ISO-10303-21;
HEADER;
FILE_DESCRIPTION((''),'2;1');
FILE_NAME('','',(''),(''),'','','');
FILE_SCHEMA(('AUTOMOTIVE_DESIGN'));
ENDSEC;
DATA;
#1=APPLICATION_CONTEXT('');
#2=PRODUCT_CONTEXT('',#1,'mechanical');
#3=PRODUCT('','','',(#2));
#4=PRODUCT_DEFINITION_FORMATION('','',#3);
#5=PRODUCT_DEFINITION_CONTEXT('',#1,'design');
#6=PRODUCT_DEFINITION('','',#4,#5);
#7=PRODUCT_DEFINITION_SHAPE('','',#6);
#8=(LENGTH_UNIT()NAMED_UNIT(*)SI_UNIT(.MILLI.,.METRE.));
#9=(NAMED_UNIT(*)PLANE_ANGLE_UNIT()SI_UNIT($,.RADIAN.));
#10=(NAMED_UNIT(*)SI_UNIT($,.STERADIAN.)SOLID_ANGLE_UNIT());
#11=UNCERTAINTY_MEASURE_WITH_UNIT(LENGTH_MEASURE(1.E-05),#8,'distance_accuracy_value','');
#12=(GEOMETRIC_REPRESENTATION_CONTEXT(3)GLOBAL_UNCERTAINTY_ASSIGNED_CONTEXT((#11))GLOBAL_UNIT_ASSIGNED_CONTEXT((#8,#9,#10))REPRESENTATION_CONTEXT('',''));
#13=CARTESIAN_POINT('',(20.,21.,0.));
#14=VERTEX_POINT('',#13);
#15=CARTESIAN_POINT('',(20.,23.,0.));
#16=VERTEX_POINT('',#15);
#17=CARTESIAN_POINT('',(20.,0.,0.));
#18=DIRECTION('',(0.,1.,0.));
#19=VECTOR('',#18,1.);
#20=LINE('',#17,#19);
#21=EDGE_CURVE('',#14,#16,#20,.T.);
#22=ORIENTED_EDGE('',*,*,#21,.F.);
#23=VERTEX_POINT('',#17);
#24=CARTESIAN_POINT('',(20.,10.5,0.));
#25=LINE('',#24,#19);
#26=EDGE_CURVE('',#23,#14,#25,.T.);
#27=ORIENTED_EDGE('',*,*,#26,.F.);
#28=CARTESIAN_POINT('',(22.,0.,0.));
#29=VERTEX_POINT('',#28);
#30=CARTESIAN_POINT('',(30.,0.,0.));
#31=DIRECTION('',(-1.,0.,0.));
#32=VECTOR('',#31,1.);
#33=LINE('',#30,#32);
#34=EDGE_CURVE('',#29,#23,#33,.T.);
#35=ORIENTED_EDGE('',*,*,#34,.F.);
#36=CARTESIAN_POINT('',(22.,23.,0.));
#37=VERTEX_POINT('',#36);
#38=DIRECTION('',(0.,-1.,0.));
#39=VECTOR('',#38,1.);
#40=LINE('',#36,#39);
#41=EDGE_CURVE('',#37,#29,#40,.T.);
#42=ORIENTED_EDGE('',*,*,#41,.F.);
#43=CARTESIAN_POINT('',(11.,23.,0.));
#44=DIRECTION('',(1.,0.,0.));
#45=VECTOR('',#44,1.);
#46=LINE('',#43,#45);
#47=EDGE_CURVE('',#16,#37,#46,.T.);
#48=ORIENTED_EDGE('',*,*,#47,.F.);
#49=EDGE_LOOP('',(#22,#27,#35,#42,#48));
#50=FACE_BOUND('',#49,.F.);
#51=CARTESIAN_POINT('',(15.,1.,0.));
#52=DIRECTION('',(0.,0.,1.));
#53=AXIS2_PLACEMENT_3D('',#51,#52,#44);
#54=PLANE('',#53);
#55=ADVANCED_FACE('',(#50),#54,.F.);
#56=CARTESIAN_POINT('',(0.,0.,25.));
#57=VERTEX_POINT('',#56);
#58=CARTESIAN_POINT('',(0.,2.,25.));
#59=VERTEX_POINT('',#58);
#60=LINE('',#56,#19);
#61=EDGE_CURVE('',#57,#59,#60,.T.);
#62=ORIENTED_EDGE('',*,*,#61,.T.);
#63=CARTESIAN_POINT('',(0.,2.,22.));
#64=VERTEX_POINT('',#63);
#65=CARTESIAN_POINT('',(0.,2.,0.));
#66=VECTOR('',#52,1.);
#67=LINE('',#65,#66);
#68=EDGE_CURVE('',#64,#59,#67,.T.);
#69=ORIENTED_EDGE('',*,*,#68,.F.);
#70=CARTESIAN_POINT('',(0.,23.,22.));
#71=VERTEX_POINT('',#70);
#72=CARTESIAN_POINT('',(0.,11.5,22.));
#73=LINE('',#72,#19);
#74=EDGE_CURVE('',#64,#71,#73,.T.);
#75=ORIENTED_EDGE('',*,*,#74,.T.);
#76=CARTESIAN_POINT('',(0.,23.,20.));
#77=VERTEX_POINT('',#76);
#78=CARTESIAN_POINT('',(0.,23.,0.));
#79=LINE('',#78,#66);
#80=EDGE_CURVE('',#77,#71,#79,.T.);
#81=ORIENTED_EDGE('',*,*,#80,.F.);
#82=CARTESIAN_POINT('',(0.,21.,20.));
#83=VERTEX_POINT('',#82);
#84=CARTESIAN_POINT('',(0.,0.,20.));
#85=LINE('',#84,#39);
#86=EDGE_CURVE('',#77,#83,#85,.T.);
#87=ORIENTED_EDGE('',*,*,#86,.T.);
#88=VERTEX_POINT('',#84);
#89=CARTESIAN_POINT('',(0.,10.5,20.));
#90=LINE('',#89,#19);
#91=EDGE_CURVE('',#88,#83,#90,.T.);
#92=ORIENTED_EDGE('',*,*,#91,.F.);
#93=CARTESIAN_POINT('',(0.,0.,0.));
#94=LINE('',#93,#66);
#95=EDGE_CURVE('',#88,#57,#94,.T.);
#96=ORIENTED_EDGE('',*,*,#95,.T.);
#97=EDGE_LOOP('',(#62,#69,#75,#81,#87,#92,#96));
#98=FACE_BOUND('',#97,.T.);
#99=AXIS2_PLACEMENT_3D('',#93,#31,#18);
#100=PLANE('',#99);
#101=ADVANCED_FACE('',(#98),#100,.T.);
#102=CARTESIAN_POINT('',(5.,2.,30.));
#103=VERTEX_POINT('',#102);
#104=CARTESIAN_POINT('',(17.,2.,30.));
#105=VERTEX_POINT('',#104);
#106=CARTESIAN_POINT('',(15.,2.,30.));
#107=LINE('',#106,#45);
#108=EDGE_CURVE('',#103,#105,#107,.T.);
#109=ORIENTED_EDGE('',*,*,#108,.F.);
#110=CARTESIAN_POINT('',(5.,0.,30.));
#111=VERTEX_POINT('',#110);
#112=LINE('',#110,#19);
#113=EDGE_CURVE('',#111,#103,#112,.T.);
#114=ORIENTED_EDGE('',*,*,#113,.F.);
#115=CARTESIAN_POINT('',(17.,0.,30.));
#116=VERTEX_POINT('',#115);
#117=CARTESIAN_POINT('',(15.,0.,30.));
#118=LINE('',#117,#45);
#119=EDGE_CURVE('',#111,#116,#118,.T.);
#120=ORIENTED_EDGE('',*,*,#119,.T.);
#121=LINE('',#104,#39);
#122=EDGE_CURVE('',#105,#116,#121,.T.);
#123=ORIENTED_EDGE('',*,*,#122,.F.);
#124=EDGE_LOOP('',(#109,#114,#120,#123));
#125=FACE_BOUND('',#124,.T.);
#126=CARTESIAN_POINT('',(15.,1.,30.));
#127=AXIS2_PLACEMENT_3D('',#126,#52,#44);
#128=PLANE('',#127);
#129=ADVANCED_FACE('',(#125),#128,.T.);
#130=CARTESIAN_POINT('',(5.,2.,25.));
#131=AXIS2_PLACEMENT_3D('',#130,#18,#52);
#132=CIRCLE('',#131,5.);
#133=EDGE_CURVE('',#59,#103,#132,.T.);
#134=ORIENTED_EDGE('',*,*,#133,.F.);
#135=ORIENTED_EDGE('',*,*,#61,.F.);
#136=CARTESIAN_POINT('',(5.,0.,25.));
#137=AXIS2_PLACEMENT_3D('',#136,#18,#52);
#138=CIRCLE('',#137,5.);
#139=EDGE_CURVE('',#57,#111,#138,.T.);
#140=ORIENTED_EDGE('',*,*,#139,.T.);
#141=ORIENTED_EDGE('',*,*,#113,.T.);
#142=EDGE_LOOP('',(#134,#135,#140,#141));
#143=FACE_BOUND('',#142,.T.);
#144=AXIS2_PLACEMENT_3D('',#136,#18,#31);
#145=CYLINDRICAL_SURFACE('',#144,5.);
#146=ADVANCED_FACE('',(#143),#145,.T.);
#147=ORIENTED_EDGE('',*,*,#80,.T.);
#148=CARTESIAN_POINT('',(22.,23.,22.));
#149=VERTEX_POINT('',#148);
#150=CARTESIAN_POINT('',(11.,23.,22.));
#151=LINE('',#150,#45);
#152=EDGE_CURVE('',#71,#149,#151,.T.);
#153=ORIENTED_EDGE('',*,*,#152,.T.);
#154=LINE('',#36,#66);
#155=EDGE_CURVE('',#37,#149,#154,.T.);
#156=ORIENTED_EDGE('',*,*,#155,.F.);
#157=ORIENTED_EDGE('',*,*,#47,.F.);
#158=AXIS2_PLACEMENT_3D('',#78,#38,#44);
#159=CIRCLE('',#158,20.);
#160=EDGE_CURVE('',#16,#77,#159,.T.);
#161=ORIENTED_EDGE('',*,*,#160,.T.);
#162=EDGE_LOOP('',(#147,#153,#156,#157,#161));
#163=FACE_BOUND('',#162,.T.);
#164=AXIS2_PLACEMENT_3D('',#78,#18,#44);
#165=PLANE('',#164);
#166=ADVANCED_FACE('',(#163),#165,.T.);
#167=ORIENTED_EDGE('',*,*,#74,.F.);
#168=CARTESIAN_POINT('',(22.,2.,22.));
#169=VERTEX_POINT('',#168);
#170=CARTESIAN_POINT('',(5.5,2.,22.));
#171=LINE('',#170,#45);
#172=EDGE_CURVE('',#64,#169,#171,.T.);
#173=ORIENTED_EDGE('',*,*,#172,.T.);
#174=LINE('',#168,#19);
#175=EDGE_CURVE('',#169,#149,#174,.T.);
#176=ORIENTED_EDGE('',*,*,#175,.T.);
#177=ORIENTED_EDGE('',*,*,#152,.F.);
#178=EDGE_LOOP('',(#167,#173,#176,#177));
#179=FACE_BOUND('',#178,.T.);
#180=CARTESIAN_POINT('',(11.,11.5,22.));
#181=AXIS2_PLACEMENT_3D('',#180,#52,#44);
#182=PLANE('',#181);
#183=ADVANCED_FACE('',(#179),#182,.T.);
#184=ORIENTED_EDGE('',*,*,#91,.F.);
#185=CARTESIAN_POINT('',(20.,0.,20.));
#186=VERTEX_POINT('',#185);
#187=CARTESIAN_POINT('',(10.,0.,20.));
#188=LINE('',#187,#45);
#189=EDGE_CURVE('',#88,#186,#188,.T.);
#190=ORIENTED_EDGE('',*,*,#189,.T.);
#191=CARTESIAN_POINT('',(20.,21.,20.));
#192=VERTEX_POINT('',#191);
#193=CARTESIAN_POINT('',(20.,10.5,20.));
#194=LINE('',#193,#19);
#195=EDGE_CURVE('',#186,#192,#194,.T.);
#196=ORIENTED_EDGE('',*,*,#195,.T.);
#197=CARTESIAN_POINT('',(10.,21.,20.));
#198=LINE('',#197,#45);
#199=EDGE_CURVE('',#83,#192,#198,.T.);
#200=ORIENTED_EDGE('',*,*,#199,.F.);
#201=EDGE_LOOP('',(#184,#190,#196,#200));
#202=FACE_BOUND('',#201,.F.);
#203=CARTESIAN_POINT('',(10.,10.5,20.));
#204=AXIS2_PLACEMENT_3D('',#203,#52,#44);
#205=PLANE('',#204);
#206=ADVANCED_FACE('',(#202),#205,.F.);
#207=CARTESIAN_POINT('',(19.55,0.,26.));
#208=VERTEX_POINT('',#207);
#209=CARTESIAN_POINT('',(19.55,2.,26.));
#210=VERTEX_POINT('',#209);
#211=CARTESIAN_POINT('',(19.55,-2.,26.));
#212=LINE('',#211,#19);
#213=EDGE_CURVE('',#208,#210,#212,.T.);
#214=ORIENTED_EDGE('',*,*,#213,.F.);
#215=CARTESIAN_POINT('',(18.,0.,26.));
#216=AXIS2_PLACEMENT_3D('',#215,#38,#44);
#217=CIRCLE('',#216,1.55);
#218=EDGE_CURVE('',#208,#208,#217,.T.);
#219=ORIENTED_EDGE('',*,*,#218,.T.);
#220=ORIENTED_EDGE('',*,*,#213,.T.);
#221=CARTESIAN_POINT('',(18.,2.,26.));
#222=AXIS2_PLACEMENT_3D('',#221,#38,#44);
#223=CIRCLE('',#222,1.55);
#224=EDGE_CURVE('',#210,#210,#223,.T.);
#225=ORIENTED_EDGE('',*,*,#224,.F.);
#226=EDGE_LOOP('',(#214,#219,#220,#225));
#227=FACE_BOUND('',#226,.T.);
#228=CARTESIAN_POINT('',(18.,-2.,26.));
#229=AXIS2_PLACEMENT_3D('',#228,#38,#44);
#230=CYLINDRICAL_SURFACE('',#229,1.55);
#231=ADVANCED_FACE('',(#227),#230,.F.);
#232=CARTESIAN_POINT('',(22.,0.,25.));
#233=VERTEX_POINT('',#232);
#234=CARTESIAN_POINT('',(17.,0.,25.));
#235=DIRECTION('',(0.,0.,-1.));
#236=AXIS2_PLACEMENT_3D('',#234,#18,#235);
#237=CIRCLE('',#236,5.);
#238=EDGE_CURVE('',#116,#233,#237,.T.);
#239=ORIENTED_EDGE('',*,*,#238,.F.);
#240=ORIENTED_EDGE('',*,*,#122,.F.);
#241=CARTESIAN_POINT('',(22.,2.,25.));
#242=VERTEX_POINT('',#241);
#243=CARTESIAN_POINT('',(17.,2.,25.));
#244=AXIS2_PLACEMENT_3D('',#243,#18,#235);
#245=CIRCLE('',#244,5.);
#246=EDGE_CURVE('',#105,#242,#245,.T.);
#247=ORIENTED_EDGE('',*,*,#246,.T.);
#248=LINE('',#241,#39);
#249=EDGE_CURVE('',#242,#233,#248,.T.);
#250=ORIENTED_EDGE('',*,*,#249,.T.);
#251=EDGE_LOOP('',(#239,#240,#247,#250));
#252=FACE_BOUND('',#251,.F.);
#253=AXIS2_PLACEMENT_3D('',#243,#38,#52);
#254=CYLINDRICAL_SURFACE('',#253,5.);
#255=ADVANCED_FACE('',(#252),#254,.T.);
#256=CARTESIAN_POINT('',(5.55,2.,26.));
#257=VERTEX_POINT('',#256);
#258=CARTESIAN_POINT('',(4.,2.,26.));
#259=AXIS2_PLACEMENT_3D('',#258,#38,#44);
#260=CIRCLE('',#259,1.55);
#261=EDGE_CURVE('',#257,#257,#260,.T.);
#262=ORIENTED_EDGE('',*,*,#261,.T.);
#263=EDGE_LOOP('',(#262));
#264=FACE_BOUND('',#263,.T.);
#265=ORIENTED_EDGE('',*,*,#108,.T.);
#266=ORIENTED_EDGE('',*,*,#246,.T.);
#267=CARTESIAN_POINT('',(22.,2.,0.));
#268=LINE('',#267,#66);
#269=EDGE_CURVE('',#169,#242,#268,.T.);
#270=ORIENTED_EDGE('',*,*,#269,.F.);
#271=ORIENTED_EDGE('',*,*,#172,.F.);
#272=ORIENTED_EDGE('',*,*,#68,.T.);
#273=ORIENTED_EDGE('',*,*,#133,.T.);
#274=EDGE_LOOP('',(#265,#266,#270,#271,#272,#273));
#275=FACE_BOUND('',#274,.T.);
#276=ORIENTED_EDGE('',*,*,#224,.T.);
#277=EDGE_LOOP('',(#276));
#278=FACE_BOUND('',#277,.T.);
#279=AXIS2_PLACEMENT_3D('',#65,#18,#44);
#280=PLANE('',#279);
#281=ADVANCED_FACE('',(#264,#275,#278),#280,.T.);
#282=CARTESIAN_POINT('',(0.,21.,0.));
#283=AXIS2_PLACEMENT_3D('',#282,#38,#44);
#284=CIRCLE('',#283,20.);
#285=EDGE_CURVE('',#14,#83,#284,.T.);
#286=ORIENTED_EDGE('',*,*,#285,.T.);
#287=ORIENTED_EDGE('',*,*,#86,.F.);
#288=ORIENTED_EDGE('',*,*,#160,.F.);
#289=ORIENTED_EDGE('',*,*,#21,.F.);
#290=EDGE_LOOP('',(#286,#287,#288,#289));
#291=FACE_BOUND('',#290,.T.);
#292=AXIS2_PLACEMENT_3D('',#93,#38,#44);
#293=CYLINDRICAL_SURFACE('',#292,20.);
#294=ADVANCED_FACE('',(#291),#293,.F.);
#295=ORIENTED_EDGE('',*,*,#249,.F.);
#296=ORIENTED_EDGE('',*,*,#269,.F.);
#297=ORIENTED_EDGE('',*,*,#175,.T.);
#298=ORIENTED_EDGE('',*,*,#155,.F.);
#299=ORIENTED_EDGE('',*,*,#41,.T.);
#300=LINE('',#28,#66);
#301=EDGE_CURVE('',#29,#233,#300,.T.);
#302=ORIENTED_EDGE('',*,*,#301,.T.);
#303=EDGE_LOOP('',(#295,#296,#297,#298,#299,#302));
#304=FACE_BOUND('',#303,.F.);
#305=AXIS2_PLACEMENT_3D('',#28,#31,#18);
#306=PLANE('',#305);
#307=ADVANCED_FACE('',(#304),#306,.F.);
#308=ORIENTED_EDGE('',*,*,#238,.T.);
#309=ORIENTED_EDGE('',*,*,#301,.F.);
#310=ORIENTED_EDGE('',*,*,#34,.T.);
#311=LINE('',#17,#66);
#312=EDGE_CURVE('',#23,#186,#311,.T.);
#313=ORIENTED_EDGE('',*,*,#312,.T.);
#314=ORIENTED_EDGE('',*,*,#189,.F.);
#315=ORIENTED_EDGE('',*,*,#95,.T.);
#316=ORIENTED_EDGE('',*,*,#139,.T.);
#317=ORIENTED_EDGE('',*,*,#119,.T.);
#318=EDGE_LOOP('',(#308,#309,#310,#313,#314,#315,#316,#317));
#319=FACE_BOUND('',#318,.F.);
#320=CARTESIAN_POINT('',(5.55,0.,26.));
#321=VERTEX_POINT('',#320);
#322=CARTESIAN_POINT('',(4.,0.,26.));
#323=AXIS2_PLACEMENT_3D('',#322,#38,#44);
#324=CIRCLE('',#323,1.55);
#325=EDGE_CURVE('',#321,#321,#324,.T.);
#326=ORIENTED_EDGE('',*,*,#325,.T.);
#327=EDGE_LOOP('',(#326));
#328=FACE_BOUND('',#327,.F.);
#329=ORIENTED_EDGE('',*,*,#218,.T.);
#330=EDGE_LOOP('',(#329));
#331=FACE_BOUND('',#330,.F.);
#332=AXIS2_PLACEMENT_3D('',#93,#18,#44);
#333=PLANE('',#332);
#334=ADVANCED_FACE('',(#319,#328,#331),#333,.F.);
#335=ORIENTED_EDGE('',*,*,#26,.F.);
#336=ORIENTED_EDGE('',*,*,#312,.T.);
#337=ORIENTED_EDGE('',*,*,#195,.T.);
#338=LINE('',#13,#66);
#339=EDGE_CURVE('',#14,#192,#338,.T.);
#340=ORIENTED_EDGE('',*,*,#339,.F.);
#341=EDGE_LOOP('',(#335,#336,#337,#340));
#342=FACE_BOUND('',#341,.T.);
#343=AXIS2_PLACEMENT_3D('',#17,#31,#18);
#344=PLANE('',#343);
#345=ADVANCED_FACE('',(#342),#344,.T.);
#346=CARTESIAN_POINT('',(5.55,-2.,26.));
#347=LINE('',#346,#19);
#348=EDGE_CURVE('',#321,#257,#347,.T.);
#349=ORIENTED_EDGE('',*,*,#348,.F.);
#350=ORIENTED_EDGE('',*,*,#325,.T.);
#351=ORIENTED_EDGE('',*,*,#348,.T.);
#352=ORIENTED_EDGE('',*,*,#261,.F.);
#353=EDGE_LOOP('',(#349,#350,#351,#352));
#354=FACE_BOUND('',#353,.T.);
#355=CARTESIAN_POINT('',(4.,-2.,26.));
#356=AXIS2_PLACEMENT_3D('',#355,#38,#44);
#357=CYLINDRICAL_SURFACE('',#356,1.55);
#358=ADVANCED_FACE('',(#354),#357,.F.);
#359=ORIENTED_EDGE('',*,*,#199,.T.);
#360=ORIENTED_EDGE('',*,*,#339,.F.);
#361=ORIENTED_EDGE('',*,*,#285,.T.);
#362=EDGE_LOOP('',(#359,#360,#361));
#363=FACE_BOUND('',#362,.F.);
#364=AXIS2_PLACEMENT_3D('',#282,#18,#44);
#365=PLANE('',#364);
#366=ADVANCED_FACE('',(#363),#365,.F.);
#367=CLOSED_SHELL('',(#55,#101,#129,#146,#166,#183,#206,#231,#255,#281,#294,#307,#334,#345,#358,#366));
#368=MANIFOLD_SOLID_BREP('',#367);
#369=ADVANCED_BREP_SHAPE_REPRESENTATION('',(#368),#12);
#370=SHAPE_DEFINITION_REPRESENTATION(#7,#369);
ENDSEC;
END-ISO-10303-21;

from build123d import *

# Parameters (mm, degrees)
CYLINDER001_R          = 20
CYLINDER001_DEPTH      = 25
CYLINDER001_ROLL_ANGLE = -90
CYLINDER002_R          = 1.55
CYLINDER002_DEPTH      = 10
CYLINDER002_ROLL_ANGLE = -90
CYLINDER_R             = 1.55
CYLINDER_DEPTH         = 10
CYLINDER_ROLL_ANGLE    = -90
BOX003_W               = 10
BOX003_H               = 6
BOX003_DEPTH           = 31
BOX001_W               = 20
BOX001_H               = 21
BOX001_DEPTH           = 20
BOX_W                  = 22
BOX_H                  = 23
BOX_DEPTH              = 22
BOX002_W               = 30
BOX002_H               = 2
BOX002_DEPTH           = 30
FILLET_R               = 5
FILLET001_R            = 5


with BuildPart() as cilindro001:
    # Cylinder001 → Cylinder001 (new body)
    with BuildSketch(Plane.XY):
        Circle(CYLINDER001_R)
    extrude(amount=CYLINDER001_DEPTH)


with BuildPart() as cilindro001_1:
    # Cylinder001 roll: moved
    add(cilindro001.part.rotate(Axis((0, 0, 0), (1, 0, 0)), CYLINDER001_ROLL_ANGLE))


with BuildPart() as cilindro001_2:
    # Cylinder001 placement: moved
    add(cilindro001_1.part)


with BuildPart() as cilindro002:
    # Cylinder002 → Cylinder002 (new body)
    with BuildSketch(Plane.XY):
        Circle(CYLINDER002_R)
    extrude(amount=CYLINDER002_DEPTH)


with BuildPart() as cilindro002_1:
    # Cylinder002 roll: moved
    add(cilindro002.part.rotate(Axis((0, 0, 0), (1, 0, 0)), CYLINDER002_ROLL_ANGLE))


with BuildPart() as cilindro002_2:
    # Cylinder002 placement: moved
    add(cilindro002_1.part.moved(Location((4, -2, 26))))


with BuildPart() as cilindro:
    # Cylinder → Cylinder (new body)
    with BuildSketch(Plane.XY):
        Circle(CYLINDER_R)
    extrude(amount=CYLINDER_DEPTH)


with BuildPart() as cilindro_1:
    # Cylinder roll: moved
    add(cilindro.part.rotate(Axis((0, 0, 0), (1, 0, 0)), CYLINDER_ROLL_ANGLE))


with BuildPart() as cilindro_2:
    # Cylinder placement: moved
    add(cilindro_1.part.moved(Location((18, -2, 26))))


with BuildPart() as cubo003:
    # Box003 → Box003 (new body)
    with BuildSketch(Plane(origin=(22, 0, 0), x_dir=(1, 0, 0), z_dir=(0, 0, 1))):
        with Locations((5, 3)):
            Rectangle(BOX003_W, BOX003_H)
    extrude(amount=BOX003_DEPTH)


with BuildPart() as cubo001:
    # Box001 → Box001 (new body)
    with BuildSketch(Plane.XY):
        with Locations((10, 10.5)):
            Rectangle(BOX001_W, BOX001_H)
    extrude(amount=BOX001_DEPTH)


with BuildPart() as cubo:
    # Box → Box (new body)
    with BuildSketch(Plane.XY):
        with Locations((11, 11.5)):
            Rectangle(BOX_W, BOX_H)
    extrude(amount=BOX_DEPTH)


with BuildPart() as fillet001:
    # Box002 → Box002 (new body)
    with BuildSketch(Plane.XY):
        with Locations((15, 1)):
            Rectangle(BOX002_W, BOX002_H)
    extrude(amount=BOX002_DEPTH)

    # Fusion: union Cubo
    add(cubo.part)

    # Cut: cut Cubo001
    add(cubo001.part, mode=Mode.SUBTRACT)

    # Cut001: cut Cubo003
    add(cubo003.part, mode=Mode.SUBTRACT)

    # Cut002: cut Cilindro
    add(cilindro_2.part, mode=Mode.SUBTRACT)

    # Cut003: cut Cilindro002
    add(cilindro002_2.part, mode=Mode.SUBTRACT)

    # Cut004: cut Cilindro001
    add(cilindro001_2.part, mode=Mode.SUBTRACT)

    # Fillet
    fillet_edges = [fillet001.edges().sort_by_distance(p)[0] for p in [
        (0, 1, 30),
    ]]
    fillet(fillet_edges, radius=FILLET_R)

    # Fillet001
    fillet001_edges = [fillet001.edges().sort_by_distance(p)[0] for p in [
        (22, 1, 30),
    ]]
    fillet(fillet001_edges, radius=FILLET001_R)


solid = fillet001.part
